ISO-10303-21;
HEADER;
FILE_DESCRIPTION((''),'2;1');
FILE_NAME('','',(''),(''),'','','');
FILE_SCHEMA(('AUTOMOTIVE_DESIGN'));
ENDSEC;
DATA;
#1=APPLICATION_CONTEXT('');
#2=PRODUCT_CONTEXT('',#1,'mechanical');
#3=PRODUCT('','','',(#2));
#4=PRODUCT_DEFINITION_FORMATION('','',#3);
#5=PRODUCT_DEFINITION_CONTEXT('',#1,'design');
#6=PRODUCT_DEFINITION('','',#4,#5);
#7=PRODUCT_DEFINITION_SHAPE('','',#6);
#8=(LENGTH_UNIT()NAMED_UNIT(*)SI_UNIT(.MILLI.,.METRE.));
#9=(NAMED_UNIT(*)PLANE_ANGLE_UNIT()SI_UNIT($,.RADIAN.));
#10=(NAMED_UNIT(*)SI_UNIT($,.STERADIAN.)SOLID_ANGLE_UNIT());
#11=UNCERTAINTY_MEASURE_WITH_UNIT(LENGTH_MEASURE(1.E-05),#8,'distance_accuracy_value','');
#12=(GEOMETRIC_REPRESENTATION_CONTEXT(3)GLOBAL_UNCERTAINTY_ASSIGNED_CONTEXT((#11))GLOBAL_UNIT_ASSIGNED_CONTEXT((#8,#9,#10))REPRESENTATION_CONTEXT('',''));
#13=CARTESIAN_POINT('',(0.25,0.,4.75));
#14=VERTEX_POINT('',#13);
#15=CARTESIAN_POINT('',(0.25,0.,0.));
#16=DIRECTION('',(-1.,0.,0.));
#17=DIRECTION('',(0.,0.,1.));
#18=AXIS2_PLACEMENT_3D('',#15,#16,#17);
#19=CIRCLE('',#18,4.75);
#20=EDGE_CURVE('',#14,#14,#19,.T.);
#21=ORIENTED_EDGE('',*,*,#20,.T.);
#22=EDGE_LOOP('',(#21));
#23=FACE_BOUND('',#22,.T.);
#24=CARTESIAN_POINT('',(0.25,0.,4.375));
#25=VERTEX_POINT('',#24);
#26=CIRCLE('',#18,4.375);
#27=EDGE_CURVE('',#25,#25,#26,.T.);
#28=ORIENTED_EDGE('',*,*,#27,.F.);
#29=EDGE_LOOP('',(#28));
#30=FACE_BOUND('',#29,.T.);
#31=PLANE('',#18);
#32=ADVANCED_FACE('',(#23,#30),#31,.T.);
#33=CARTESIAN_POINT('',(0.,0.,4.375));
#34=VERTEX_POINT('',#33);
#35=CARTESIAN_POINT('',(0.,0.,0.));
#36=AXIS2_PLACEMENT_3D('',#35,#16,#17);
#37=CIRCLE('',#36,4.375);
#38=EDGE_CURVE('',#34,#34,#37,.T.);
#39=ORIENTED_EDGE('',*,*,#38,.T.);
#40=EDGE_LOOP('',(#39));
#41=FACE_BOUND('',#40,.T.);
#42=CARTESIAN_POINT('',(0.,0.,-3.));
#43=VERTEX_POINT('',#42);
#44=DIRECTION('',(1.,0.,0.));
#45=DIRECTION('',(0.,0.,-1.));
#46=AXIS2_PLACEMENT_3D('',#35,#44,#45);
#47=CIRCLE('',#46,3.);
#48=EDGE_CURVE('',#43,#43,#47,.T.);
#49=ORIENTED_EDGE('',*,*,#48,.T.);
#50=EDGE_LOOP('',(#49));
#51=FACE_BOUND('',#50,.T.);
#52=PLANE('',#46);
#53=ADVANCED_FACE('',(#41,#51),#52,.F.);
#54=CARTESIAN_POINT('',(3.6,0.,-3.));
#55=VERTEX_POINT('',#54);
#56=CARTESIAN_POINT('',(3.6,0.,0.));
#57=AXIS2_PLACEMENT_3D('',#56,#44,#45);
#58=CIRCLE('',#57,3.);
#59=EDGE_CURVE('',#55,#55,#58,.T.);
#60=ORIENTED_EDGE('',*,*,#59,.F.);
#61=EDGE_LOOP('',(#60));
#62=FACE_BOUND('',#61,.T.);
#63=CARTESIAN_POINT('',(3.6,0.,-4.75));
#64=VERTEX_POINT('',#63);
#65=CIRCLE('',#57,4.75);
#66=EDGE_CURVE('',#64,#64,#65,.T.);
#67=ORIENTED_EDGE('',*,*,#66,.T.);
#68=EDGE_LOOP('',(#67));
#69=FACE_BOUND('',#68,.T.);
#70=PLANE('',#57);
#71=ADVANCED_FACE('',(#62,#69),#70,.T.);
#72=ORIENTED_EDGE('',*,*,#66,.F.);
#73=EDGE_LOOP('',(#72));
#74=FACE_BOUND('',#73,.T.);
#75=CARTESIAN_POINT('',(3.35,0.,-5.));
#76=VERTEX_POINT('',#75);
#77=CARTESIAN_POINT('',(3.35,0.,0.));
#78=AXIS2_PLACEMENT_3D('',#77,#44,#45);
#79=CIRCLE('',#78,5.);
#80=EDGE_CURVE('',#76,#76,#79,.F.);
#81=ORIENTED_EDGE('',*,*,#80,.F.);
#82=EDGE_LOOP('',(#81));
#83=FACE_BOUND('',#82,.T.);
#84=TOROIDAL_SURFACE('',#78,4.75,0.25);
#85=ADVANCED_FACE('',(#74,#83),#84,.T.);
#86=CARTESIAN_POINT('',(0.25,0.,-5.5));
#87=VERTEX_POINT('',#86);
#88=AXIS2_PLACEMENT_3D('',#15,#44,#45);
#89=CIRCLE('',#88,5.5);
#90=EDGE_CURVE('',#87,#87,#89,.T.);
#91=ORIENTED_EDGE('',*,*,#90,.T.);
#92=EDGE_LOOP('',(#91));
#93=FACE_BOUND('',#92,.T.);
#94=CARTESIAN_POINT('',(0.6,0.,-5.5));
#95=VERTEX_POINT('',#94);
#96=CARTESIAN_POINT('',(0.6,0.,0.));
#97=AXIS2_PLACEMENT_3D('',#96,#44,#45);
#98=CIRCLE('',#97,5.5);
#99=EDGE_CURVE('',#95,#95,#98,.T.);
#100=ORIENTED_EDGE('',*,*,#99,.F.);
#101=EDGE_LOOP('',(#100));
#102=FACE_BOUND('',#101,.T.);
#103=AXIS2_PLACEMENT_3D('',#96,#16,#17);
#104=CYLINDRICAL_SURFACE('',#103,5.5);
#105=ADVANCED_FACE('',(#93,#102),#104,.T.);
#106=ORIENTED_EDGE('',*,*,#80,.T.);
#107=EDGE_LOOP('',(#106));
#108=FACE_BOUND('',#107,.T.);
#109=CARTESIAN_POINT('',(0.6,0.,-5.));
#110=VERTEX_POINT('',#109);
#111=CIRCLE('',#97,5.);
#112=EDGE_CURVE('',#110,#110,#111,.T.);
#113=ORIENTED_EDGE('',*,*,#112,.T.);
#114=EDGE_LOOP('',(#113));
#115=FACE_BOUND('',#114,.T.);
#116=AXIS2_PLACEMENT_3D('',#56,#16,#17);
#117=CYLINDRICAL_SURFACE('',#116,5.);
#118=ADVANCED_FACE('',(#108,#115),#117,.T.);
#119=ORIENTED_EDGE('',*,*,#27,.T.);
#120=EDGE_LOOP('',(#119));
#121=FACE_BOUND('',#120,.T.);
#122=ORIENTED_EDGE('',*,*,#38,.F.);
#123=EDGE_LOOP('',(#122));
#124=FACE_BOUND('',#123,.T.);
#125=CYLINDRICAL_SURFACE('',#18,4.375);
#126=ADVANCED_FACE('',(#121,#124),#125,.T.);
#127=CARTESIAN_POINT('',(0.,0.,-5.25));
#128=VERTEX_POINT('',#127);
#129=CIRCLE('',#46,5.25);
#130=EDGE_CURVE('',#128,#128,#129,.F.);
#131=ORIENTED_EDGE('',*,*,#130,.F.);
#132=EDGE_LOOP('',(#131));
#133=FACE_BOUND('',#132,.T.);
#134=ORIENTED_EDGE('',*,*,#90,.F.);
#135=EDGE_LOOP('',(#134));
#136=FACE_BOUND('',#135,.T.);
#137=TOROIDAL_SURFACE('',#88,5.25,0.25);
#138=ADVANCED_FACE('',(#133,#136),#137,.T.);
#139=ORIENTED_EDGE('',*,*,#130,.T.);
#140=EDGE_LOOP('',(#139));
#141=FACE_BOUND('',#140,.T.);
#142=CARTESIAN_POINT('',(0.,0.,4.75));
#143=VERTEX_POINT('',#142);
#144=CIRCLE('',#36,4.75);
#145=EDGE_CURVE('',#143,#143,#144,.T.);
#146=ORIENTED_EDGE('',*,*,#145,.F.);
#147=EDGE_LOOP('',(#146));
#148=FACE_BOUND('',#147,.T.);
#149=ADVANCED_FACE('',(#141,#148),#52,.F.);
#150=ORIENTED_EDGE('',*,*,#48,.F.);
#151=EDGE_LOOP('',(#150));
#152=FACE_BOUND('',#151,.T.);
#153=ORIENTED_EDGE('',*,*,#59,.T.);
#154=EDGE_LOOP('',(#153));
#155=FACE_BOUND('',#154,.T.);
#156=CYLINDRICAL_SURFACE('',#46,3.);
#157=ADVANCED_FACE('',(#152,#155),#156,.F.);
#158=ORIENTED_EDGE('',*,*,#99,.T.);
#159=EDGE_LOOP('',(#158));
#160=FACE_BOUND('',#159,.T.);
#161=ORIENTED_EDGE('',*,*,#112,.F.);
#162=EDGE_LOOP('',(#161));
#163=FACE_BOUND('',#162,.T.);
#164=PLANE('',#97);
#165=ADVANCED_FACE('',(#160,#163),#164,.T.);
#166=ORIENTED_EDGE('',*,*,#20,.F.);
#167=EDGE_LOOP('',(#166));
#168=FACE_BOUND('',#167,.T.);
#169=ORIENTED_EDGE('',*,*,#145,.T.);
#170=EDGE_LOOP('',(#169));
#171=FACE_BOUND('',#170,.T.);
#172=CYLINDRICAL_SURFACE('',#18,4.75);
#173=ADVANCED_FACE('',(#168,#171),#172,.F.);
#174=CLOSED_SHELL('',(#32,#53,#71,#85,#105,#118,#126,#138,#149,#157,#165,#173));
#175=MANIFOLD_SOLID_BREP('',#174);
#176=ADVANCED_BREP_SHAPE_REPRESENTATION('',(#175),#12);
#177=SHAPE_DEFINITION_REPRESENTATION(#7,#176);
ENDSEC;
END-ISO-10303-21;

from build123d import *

# Parameters (mm, degrees)
SKETCH1_R           = 5.5
BOSS_EXTRUDE1_DEPTH = 0.6
SKETCH2_R           = 5
BOSS_EXTRUDE2_DEPTH = 3
SKETCH3_R           = 3
CUT_EXTRUDE1_DEPTH  = 9.570880935
SKETCH4_R           = 4.75
SKETCH4_R_2         = 4.375
CUT_EXTRUDE2_DEPTH  = 0.25
FILLET1_R           = 0.25
FILLET2_R           = 0.25


with BuildPart() as part:
    # Sketch1 → Boss-Extrude1 (new body)
    with BuildSketch(Plane(origin=(0, 0, 0), x_dir=(0, 0, -1), z_dir=(1, 0, 0))):
        Circle(SKETCH1_R)
    extrude(amount=BOSS_EXTRUDE1_DEPTH)

    # Sketch2 → Boss-Extrude2 (add)
    with BuildSketch(Plane(origin=(0.6, 0, 0), x_dir=(0, 0, -1), z_dir=(1, 0, 0))):
        Circle(SKETCH2_R)
    extrude(amount=BOSS_EXTRUDE2_DEPTH)

    # Sketch3 → Cut-Extrude1 (cut, through all)
    with BuildSketch(Plane(origin=(3.6, 0, 0), x_dir=(0, 0, -1), z_dir=(1, 0, 0))):
        Circle(SKETCH3_R)
    extrude(amount=-CUT_EXTRUDE1_DEPTH, mode=Mode.SUBTRACT)

    # Sketch4 → Cut-Extrude2 (cut)
    with BuildSketch(Plane.ZY):
        Circle(SKETCH4_R)
        Circle(SKETCH4_R_2, mode=Mode.SUBTRACT)
    extrude(amount=-CUT_EXTRUDE2_DEPTH, mode=Mode.SUBTRACT)

    # Fillet1
    fillet1_edges = [part.edges().sort_by_distance(p)[0] for p in [
        (0, 0, 5.5),
    ]]
    fillet(fillet1_edges, radius=FILLET1_R)

    # Fillet2
    fillet2_edges = [part.edges().sort_by_distance(p)[0] for p in [
        (3.6, 0, 5),
    ]]
    fillet(fillet2_edges, radius=FILLET2_R)


solid = part.part
